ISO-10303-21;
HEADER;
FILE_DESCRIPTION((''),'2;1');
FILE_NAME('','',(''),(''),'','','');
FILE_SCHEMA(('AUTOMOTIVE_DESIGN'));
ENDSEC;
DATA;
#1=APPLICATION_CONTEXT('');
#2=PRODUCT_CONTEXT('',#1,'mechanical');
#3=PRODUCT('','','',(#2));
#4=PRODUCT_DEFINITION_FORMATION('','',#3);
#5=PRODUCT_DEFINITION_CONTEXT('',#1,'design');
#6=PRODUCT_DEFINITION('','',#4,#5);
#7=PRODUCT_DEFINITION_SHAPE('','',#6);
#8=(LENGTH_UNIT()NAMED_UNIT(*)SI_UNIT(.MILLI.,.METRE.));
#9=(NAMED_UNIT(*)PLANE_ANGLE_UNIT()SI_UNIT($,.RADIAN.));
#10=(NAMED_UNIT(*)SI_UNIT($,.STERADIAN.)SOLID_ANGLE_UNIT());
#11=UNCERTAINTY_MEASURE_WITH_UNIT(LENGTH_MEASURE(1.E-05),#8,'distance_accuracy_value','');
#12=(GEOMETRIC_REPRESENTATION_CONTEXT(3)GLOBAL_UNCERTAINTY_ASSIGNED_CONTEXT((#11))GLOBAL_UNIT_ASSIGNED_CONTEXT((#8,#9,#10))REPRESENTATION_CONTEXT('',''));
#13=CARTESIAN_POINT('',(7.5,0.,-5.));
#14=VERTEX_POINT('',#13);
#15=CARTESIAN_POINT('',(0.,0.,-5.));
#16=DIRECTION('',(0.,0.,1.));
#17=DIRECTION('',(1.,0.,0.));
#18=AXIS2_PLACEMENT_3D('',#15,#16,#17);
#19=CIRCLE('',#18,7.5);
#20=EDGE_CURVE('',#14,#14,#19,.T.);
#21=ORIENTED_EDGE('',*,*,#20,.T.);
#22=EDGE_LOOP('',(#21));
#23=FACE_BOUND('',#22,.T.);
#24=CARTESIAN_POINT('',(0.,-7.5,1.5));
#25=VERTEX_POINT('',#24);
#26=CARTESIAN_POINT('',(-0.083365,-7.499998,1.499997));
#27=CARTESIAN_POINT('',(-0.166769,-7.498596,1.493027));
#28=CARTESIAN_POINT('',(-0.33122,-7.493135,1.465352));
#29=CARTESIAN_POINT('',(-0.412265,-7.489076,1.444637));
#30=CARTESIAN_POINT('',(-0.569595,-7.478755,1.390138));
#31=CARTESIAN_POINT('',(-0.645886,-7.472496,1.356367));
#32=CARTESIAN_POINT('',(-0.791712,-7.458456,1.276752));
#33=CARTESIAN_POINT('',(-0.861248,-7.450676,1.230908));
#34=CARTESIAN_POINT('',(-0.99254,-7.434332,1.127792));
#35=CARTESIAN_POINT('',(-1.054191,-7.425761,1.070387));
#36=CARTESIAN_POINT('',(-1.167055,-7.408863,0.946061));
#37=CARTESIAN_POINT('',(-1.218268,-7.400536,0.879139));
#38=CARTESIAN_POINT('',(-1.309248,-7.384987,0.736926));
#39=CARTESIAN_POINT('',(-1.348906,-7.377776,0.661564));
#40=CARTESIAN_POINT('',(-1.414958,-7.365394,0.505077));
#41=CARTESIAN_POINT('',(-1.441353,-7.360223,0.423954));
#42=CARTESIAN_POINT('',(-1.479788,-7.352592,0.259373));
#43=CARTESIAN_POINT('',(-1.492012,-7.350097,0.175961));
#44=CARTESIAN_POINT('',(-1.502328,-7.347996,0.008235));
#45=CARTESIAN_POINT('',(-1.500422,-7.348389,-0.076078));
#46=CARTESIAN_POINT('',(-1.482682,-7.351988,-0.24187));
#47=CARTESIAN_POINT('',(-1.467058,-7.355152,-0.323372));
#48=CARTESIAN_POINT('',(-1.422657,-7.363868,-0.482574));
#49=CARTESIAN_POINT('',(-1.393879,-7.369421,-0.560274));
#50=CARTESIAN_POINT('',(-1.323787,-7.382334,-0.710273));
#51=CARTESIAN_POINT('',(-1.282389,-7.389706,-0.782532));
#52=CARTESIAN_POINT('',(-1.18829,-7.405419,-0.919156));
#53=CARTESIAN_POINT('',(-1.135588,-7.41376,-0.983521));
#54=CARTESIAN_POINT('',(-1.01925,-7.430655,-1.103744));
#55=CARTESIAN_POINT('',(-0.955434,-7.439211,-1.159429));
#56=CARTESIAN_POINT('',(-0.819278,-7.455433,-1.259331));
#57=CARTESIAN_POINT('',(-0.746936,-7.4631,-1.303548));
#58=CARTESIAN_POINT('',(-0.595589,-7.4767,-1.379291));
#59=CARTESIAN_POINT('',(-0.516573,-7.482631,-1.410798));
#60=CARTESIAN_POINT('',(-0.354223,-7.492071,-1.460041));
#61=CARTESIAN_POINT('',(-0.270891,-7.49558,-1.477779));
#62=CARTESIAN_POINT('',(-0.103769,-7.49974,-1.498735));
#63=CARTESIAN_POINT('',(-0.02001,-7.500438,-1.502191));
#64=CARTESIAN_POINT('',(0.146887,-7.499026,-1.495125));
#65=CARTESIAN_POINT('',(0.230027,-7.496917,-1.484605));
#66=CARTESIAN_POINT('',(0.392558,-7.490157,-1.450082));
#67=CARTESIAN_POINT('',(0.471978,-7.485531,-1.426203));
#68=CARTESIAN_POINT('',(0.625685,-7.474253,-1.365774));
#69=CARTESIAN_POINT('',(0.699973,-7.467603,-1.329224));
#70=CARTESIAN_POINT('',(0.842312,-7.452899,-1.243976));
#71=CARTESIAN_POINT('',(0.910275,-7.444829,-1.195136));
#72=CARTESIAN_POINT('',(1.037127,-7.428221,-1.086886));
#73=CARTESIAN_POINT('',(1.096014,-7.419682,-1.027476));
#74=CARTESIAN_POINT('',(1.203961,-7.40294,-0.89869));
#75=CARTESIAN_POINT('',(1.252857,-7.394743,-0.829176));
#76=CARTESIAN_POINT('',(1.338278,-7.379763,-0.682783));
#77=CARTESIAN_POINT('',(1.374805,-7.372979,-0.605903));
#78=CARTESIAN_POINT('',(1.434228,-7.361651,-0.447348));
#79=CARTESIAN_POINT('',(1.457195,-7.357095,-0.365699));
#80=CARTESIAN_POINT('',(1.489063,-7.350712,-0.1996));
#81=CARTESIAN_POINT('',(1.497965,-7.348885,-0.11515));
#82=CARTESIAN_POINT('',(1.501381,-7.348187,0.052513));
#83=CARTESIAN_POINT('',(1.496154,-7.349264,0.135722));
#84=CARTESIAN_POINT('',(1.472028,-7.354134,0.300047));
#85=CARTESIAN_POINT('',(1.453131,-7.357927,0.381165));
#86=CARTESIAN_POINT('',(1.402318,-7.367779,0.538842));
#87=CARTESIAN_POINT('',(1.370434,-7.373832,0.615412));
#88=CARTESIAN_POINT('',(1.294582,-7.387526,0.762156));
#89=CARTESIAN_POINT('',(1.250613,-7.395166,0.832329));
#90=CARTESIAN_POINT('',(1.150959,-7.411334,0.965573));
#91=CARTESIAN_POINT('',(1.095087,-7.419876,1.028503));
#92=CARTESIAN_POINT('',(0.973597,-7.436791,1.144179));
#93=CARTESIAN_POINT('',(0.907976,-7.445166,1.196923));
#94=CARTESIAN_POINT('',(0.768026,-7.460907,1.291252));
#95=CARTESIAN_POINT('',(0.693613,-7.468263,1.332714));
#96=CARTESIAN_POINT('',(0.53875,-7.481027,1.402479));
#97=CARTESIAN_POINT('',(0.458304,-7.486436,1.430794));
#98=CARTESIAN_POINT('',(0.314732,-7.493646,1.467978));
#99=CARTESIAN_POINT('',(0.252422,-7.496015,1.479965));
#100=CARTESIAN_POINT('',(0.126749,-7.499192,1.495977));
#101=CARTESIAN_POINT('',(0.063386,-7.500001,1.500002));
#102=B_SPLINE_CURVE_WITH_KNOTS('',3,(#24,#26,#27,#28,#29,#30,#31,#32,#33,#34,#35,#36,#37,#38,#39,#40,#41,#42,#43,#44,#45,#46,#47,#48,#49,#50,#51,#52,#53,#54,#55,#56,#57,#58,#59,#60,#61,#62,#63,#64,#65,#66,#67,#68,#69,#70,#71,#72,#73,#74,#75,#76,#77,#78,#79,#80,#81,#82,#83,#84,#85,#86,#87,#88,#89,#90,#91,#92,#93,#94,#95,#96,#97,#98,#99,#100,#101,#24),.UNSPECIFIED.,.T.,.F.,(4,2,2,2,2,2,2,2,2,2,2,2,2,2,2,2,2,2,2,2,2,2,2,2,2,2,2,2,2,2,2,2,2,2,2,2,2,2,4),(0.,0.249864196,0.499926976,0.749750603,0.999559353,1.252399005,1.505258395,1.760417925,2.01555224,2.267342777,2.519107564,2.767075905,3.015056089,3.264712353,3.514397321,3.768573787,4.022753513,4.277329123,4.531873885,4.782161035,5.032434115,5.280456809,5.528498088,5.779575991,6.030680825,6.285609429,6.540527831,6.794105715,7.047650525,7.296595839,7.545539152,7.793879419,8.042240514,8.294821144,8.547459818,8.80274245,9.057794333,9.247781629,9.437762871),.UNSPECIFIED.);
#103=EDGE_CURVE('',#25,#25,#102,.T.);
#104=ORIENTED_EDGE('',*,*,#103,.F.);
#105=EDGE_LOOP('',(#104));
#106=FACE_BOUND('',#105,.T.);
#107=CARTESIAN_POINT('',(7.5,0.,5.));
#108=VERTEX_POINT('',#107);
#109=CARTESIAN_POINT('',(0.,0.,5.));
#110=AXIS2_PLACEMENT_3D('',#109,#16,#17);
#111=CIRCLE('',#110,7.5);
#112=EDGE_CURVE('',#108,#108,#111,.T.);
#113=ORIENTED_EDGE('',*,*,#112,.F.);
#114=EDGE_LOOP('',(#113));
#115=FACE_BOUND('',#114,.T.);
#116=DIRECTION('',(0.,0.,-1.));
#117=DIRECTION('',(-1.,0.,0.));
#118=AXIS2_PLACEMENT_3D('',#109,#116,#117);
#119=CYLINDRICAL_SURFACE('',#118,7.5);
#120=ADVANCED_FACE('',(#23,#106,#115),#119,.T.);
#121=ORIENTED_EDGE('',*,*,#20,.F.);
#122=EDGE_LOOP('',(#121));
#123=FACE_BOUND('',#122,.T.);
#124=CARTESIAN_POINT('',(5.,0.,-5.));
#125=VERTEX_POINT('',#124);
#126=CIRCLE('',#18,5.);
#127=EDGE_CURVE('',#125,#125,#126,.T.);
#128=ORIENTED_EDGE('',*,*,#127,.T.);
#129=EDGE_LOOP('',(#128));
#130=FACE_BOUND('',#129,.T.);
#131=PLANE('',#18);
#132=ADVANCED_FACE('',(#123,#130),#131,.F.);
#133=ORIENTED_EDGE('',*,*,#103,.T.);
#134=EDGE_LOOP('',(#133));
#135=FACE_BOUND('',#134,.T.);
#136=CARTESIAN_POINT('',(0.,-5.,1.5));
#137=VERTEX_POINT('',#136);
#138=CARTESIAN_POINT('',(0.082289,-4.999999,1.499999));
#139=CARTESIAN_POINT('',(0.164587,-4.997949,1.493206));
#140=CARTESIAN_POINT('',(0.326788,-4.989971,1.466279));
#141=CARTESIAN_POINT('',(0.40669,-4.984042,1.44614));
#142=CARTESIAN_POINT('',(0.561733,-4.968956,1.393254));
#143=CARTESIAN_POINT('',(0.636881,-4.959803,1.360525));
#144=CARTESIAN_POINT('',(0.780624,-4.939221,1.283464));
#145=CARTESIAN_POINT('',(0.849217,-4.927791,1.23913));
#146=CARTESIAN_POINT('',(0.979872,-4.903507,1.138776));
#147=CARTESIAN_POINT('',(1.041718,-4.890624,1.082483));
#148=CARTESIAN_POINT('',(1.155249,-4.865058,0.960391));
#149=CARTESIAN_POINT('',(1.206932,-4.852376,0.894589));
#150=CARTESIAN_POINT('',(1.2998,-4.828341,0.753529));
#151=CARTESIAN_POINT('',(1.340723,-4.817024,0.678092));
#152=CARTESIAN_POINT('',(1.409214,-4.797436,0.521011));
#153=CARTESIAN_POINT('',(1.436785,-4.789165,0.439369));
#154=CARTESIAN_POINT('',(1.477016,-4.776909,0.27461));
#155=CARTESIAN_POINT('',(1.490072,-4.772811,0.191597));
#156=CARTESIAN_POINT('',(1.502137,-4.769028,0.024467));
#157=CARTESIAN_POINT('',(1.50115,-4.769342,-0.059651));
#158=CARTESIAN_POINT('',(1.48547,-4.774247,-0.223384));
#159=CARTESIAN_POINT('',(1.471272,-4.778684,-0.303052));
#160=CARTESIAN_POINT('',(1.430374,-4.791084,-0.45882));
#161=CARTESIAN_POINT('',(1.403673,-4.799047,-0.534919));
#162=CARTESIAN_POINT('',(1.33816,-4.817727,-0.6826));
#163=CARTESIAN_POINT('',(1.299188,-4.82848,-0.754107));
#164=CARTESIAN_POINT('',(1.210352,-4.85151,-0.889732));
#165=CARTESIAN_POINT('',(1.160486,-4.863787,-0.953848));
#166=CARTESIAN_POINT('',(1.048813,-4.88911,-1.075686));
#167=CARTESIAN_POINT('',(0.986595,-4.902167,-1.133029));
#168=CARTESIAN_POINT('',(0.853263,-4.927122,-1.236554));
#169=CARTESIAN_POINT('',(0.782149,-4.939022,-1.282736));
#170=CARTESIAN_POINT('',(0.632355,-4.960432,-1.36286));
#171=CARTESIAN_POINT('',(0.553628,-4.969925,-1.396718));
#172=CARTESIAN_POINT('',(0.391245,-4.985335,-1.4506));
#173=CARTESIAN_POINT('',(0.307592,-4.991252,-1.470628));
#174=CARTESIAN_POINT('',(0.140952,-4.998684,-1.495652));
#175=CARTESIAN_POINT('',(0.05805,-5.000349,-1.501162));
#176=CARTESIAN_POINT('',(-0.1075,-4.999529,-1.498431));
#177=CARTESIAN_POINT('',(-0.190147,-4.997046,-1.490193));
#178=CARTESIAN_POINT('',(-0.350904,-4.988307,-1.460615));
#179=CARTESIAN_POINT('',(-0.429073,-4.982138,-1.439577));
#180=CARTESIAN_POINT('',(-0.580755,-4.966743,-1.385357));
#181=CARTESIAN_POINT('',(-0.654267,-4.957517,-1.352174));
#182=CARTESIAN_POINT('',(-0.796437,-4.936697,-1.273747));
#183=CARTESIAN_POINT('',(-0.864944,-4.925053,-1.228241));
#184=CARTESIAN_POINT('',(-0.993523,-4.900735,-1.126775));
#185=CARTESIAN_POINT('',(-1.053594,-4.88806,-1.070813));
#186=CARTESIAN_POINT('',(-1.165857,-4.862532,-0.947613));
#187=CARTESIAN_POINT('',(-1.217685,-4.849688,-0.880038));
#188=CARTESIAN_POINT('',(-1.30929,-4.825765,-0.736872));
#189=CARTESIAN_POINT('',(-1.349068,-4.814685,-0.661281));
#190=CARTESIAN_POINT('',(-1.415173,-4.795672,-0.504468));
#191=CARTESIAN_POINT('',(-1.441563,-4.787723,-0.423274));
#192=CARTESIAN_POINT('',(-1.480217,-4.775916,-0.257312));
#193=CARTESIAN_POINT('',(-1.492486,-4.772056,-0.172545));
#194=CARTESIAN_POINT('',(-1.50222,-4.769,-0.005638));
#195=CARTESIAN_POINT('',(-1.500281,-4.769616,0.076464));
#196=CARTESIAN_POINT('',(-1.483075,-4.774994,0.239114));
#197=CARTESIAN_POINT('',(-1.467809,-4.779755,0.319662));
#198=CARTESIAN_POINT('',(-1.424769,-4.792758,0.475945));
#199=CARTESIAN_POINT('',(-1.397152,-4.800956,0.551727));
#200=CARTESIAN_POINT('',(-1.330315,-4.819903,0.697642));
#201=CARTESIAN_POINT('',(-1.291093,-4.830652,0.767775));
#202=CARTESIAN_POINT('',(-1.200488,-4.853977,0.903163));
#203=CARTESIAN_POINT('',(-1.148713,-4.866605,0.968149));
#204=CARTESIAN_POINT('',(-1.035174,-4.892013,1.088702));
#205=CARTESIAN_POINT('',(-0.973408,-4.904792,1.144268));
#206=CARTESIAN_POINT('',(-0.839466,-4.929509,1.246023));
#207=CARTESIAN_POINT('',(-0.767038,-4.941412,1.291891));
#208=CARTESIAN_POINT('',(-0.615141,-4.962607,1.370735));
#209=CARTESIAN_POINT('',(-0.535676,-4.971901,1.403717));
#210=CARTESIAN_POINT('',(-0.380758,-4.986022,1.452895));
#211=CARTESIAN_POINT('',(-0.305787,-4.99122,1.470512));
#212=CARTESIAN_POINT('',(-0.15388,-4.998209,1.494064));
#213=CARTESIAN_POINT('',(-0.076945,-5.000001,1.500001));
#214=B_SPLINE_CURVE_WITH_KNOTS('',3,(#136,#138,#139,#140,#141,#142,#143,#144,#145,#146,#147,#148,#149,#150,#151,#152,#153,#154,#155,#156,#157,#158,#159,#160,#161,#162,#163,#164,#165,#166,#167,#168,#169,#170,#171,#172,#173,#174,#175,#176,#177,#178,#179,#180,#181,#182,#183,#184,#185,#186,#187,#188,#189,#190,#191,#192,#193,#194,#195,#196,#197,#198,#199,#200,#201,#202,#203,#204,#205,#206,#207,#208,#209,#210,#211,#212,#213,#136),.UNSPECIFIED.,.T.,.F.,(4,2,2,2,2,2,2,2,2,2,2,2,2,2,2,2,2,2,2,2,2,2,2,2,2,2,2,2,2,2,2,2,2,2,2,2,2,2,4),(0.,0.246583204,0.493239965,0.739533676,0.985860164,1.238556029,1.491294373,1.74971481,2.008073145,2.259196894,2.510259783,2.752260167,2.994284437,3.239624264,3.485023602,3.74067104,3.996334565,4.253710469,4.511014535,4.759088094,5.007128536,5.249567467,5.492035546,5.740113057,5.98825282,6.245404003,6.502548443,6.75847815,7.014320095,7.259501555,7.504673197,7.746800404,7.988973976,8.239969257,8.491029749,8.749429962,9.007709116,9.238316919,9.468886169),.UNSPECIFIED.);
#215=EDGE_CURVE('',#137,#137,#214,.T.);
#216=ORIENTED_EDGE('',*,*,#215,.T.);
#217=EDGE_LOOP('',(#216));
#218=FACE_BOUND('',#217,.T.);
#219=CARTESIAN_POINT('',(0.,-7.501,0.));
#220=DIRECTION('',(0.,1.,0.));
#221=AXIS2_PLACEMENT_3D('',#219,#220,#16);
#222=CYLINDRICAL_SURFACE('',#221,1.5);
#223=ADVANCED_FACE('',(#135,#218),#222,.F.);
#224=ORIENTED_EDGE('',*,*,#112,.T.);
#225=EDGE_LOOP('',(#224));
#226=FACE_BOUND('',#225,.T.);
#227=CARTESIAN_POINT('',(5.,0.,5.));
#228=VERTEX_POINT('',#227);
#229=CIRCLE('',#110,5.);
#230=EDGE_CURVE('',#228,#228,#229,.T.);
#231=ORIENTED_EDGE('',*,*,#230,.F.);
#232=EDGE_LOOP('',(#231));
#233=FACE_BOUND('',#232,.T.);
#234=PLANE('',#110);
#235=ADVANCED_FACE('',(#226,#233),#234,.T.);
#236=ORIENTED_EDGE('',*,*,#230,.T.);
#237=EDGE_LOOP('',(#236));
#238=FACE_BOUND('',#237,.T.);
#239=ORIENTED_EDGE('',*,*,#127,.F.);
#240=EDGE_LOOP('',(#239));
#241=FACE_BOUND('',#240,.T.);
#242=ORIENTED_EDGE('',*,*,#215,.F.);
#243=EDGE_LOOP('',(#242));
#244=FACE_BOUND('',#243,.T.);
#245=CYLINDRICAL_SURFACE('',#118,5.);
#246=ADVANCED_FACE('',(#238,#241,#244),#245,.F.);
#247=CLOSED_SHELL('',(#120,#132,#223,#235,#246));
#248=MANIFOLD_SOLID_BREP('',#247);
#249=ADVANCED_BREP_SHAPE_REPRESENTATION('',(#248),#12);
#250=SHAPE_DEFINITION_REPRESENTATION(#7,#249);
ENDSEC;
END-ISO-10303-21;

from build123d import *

# Parameters (mm, degrees)
SKETCH1_R           = 7.5
SKETCH1_R_2         = 5
BOSS_EXTRUDE4_DEPTH = 5
CUT_EXTRUDE2_REACH  = 9.5
SKETCH3_R           = 1.5


with BuildPart() as part:
    # Sketch1 → Boss-Extrude4 (new body, symmetric)
    with BuildSketch(Plane.XY):
        Circle(SKETCH1_R)
        Circle(SKETCH1_R_2, mode=Mode.SUBTRACT)
    extrude(amount=BOSS_EXTRUDE4_DEPTH, both=True)

    # Sketch3 → Cut-Extrude2 (cut, up to next)
    with BuildSketch(Plane(origin=(0, 0, 0), x_dir=(1, 0, 0), z_dir=(0, 1, 0)), mode=Mode.PRIVATE) as cut_extrude2_sk1:
        Circle(SKETCH3_R)
    cut_extrude2_tool1 = extrude(cut_extrude2_sk1.sketch, amount=-CUT_EXTRUDE2_REACH, mode=Mode.PRIVATE) & part.part
    add(cut_extrude2_tool1.solids().sort_by_distance((0, 0, 0))[0], mode=Mode.SUBTRACT)


solid = part.part
